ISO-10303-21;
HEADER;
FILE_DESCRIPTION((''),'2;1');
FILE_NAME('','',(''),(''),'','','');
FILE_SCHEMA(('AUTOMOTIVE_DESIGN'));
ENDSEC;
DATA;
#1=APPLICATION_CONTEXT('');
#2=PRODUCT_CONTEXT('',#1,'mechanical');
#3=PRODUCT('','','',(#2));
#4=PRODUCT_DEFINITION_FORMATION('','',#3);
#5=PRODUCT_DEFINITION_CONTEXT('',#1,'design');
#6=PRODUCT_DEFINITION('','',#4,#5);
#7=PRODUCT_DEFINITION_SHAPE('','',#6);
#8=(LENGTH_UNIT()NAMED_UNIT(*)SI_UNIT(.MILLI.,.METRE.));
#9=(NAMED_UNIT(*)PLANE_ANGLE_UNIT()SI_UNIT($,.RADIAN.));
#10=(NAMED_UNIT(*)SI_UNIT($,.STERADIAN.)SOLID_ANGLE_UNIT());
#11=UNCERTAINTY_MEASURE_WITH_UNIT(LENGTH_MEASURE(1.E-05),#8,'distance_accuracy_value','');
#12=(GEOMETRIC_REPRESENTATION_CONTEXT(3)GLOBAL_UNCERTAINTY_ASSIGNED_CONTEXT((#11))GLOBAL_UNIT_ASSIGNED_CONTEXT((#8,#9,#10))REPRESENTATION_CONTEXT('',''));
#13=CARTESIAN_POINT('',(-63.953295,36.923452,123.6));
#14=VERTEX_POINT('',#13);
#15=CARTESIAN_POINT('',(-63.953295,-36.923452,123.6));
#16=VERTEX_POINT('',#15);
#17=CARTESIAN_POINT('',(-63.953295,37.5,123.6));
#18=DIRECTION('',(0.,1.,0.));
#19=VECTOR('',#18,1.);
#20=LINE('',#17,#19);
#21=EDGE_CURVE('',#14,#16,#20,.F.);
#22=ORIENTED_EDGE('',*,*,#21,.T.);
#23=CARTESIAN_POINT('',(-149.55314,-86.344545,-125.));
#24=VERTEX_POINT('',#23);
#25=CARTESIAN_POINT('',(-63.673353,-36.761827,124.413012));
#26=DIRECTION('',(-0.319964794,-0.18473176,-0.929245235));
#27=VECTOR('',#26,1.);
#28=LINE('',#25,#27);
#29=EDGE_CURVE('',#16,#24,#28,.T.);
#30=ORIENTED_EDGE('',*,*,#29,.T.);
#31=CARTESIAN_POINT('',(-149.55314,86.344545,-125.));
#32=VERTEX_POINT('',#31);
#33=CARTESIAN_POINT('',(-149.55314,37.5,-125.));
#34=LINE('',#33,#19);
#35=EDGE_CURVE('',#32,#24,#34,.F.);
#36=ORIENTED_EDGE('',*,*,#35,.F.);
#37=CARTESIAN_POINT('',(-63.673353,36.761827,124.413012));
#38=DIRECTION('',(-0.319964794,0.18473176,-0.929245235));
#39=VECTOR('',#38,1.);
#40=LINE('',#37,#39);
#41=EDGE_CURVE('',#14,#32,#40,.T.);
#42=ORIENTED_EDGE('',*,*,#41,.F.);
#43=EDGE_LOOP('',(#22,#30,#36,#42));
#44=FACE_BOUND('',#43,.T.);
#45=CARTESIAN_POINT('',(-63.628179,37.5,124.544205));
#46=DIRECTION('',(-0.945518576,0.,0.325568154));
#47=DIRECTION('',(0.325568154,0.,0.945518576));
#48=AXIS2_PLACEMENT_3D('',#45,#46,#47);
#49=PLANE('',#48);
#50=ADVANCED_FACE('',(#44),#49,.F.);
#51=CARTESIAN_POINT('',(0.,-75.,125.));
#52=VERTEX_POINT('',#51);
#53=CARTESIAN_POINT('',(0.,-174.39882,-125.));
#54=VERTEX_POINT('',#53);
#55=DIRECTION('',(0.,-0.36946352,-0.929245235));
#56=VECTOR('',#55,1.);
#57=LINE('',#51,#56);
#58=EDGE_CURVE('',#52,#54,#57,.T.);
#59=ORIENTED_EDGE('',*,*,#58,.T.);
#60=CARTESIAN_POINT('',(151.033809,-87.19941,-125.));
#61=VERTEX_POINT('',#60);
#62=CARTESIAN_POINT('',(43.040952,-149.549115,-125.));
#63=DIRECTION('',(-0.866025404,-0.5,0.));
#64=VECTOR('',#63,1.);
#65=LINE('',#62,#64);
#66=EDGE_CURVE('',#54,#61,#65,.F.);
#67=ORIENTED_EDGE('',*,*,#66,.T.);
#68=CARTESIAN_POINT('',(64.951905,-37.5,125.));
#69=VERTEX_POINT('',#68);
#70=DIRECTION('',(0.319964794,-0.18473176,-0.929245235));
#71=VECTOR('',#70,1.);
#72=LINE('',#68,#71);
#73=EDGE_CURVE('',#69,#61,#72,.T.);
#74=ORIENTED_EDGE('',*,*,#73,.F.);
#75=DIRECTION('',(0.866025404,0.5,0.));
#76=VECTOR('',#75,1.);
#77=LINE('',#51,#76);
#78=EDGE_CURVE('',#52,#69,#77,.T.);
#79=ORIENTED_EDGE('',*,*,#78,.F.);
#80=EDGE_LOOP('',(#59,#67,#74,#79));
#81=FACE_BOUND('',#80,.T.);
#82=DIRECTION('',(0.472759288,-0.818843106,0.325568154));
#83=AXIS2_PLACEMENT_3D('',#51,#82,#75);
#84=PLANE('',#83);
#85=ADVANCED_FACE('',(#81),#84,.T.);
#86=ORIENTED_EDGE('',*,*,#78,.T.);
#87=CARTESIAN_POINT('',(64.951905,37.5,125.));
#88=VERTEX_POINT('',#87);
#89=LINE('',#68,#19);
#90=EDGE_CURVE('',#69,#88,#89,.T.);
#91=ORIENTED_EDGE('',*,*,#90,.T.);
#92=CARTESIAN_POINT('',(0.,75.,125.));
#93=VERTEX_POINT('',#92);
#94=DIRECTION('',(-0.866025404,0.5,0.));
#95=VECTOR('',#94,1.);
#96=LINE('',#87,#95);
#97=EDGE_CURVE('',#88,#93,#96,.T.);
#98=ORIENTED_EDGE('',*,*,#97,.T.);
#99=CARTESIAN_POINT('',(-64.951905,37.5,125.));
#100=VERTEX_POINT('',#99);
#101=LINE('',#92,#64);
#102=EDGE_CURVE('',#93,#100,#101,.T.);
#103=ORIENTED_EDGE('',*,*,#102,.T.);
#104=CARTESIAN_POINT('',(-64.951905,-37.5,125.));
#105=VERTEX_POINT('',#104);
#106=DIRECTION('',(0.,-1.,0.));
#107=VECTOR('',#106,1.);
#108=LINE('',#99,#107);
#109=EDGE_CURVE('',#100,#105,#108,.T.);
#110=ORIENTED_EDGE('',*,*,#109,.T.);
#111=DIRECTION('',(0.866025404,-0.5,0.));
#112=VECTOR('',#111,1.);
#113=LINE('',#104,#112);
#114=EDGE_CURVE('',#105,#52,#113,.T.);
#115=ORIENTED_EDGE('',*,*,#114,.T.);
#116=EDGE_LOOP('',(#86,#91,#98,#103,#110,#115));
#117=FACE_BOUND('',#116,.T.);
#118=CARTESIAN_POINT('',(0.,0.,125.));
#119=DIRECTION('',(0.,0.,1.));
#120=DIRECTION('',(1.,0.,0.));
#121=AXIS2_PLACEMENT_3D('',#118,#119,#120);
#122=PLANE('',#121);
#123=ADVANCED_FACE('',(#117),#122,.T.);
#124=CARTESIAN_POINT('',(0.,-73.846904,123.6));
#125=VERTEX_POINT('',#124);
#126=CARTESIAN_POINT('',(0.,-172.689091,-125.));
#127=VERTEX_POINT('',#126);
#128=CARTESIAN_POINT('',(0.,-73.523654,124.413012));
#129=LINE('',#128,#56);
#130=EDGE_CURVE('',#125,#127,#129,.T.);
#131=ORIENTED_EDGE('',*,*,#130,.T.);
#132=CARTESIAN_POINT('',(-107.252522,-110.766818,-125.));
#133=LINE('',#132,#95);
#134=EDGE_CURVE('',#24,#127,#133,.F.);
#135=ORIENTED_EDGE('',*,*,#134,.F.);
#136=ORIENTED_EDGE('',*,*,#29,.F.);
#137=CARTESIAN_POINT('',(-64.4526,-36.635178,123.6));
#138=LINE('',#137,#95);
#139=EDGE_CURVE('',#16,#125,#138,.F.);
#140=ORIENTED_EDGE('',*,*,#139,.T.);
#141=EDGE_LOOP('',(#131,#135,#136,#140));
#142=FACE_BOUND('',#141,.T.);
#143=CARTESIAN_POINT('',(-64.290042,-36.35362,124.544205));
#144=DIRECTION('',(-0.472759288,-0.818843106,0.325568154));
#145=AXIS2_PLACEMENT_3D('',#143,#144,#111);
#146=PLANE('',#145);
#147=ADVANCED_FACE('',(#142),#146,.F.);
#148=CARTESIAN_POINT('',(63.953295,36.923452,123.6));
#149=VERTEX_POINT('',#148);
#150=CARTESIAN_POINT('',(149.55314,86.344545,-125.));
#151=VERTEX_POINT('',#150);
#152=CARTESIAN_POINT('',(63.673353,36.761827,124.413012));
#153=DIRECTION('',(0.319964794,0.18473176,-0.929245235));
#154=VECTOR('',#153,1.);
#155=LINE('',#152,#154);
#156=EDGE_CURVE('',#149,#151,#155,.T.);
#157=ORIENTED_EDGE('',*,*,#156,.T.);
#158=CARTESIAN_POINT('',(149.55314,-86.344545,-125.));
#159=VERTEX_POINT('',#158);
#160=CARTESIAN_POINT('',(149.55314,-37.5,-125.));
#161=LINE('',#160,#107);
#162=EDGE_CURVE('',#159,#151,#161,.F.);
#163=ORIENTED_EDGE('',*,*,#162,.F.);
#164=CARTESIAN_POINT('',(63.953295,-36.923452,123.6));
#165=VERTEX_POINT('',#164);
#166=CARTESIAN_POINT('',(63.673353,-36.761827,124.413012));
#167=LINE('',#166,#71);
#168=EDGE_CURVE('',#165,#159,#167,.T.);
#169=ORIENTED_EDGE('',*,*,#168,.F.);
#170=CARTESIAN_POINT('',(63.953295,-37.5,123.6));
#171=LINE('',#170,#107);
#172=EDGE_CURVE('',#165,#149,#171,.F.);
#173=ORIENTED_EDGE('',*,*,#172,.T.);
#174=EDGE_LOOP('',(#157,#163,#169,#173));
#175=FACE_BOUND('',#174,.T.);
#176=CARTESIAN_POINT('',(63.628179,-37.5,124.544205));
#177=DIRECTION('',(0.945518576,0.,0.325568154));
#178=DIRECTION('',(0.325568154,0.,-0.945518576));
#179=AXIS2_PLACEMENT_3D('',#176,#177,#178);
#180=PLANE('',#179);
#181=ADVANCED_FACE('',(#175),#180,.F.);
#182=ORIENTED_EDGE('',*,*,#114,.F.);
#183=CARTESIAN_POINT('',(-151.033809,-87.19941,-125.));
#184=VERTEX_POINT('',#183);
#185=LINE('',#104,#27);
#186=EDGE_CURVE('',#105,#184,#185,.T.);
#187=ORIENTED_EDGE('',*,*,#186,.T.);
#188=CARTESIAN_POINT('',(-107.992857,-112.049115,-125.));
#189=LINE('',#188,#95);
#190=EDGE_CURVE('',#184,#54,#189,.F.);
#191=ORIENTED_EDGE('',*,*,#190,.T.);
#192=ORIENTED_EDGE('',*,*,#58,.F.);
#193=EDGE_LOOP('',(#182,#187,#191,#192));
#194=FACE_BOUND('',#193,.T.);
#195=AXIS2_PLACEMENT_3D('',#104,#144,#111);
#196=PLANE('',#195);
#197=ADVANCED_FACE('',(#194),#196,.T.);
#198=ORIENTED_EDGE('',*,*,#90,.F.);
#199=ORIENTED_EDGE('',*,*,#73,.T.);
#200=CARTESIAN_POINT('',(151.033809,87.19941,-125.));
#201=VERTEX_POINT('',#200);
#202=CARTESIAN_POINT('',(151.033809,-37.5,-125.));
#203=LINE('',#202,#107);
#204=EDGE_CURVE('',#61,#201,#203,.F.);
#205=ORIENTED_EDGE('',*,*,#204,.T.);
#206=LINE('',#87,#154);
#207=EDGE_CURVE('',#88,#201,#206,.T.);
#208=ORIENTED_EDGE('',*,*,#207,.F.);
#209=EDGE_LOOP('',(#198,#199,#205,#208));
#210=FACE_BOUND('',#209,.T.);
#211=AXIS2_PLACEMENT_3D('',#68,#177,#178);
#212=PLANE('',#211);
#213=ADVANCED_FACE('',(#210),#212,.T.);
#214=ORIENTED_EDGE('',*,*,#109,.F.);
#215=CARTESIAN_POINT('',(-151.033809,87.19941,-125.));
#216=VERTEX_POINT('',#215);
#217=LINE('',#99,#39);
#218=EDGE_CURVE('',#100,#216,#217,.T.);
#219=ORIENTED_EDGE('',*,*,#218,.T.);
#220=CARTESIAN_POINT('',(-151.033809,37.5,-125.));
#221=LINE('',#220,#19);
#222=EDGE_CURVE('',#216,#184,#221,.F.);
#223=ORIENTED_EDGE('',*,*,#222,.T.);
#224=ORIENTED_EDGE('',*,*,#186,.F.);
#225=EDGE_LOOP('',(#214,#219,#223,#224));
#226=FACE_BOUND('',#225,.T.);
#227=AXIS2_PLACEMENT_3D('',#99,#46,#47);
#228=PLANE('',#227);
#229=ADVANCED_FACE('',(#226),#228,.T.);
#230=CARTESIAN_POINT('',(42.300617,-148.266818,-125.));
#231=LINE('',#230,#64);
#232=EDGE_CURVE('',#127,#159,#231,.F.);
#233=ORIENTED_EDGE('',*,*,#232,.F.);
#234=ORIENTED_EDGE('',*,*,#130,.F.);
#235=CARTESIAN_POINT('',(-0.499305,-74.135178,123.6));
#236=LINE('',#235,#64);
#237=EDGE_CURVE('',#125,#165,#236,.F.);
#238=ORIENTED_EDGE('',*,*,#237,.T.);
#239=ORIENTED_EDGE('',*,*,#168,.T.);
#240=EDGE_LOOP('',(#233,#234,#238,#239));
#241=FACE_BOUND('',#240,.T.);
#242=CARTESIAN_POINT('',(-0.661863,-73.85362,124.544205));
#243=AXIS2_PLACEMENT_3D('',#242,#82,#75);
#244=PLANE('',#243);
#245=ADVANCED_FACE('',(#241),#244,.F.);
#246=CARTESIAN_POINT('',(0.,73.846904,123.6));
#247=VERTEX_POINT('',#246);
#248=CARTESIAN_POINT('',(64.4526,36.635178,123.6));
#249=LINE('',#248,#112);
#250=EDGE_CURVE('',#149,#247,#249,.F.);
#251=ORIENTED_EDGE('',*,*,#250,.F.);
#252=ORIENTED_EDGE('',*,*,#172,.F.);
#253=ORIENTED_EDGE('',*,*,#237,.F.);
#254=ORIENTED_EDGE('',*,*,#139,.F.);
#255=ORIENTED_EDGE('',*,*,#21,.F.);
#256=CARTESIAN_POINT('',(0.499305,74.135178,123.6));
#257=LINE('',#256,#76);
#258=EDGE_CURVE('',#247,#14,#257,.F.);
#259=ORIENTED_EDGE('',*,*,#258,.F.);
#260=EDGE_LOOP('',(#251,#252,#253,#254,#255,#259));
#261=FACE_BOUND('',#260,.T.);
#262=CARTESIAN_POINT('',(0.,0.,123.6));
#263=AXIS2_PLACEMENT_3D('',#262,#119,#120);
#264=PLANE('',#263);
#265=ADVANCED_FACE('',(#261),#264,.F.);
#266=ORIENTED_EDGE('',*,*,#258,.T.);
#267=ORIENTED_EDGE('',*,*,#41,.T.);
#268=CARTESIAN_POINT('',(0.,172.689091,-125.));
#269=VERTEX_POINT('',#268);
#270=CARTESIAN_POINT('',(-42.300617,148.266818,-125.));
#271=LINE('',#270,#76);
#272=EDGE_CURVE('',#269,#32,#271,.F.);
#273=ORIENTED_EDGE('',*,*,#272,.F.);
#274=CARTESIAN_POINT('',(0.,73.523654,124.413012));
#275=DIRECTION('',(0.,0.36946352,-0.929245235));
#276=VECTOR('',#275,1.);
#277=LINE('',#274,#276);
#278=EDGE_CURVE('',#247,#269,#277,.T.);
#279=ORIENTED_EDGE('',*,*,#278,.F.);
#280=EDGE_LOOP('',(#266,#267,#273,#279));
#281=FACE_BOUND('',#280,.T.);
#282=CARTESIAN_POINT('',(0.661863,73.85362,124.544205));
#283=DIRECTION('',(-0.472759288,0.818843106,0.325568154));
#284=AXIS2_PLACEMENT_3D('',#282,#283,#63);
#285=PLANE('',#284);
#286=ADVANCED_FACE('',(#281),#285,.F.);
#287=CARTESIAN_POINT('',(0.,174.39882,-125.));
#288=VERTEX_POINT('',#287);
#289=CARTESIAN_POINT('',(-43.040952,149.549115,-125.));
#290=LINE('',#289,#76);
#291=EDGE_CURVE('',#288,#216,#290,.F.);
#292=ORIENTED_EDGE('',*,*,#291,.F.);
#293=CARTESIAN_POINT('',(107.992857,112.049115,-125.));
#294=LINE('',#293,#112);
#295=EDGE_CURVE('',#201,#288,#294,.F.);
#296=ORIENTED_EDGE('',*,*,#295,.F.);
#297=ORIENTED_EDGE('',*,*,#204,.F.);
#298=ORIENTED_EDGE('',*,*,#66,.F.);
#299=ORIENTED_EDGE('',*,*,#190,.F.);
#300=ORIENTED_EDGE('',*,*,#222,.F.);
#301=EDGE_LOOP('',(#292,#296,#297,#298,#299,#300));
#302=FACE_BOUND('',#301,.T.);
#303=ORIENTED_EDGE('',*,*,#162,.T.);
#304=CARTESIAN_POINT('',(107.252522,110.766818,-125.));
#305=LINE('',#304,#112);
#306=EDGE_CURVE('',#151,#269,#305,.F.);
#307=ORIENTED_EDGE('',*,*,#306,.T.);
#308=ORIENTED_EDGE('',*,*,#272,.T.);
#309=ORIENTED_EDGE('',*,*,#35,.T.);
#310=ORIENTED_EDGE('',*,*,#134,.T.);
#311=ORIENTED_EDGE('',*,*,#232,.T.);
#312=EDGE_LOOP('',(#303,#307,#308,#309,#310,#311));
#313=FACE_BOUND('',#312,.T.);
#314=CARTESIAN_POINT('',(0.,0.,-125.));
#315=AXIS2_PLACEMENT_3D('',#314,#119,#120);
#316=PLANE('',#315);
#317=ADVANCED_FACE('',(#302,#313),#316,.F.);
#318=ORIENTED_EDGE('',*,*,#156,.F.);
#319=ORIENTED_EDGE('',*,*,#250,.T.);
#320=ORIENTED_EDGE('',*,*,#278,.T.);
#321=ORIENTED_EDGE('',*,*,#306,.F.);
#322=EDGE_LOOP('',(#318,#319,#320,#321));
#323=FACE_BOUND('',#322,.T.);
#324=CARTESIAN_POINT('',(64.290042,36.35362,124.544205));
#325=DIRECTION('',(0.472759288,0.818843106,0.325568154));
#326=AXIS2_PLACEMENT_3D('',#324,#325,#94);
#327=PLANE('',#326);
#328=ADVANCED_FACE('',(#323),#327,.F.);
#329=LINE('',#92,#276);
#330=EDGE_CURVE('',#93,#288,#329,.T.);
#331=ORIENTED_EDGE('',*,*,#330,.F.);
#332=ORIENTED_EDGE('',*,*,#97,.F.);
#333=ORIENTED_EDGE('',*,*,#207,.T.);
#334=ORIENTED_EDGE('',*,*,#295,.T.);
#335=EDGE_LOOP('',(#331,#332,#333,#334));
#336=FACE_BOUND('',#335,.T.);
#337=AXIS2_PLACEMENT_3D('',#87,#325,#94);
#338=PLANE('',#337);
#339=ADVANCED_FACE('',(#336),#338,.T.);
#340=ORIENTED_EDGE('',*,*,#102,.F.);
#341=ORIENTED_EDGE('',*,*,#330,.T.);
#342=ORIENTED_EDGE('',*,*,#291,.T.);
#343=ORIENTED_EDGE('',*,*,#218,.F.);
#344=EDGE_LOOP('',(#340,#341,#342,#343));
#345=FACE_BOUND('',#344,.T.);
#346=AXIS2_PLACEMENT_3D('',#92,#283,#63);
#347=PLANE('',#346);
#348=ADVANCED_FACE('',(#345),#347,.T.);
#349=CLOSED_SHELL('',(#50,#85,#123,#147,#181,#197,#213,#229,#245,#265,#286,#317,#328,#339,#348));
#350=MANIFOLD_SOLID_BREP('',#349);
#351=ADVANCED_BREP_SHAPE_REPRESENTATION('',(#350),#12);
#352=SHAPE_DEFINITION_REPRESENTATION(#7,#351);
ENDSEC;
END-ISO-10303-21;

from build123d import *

# Parameters (mm, degrees)
SALIENTE_EXTRUIR1_DEPTH = 125
NGULO_DE_SALIDA1_ANGLE  = 19
VACIADO1_T              = -1.4


with BuildPart() as part:
    # Croquis1 → Saliente-Extruir1 (new, symmetric)
    with BuildSketch(Plane.XY):
        Polygon((0, 75), (-64.951905284, 37.5), (-64.951905284, -37.5), (0, -75), (64.951905284, -37.5), (64.951905284, 37.5), align=None)
    extrude(amount=SALIENTE_EXTRUIR1_DEPTH, both=True)

    # Ángulo de salida1
    ngulo_de_salida1_faces = [part.faces().sort_by_distance(p)[0] for p in [
        (-32.475952642, 56.25, 0),
        (-64.951905284, 0, 0),
        (-32.475952642, -56.25, 0),
        (32.475952642, 56.25, 0),
        (64.951905284, 0, 0),
        (32.475952642, -56.25, 0),
    ]]
    draft(ngulo_de_salida1_faces, Plane.XY.offset(125), NGULO_DE_SALIDA1_ANGLE)

    # Vaciado1
    vaciado1_openings = [part.faces().sort_by_distance(p)[0] for p in [
        (0, 0, -125),
    ]]
    offset(amount=VACIADO1_T, openings=vaciado1_openings, kind=Kind.INTERSECTION)


solid = part.part
